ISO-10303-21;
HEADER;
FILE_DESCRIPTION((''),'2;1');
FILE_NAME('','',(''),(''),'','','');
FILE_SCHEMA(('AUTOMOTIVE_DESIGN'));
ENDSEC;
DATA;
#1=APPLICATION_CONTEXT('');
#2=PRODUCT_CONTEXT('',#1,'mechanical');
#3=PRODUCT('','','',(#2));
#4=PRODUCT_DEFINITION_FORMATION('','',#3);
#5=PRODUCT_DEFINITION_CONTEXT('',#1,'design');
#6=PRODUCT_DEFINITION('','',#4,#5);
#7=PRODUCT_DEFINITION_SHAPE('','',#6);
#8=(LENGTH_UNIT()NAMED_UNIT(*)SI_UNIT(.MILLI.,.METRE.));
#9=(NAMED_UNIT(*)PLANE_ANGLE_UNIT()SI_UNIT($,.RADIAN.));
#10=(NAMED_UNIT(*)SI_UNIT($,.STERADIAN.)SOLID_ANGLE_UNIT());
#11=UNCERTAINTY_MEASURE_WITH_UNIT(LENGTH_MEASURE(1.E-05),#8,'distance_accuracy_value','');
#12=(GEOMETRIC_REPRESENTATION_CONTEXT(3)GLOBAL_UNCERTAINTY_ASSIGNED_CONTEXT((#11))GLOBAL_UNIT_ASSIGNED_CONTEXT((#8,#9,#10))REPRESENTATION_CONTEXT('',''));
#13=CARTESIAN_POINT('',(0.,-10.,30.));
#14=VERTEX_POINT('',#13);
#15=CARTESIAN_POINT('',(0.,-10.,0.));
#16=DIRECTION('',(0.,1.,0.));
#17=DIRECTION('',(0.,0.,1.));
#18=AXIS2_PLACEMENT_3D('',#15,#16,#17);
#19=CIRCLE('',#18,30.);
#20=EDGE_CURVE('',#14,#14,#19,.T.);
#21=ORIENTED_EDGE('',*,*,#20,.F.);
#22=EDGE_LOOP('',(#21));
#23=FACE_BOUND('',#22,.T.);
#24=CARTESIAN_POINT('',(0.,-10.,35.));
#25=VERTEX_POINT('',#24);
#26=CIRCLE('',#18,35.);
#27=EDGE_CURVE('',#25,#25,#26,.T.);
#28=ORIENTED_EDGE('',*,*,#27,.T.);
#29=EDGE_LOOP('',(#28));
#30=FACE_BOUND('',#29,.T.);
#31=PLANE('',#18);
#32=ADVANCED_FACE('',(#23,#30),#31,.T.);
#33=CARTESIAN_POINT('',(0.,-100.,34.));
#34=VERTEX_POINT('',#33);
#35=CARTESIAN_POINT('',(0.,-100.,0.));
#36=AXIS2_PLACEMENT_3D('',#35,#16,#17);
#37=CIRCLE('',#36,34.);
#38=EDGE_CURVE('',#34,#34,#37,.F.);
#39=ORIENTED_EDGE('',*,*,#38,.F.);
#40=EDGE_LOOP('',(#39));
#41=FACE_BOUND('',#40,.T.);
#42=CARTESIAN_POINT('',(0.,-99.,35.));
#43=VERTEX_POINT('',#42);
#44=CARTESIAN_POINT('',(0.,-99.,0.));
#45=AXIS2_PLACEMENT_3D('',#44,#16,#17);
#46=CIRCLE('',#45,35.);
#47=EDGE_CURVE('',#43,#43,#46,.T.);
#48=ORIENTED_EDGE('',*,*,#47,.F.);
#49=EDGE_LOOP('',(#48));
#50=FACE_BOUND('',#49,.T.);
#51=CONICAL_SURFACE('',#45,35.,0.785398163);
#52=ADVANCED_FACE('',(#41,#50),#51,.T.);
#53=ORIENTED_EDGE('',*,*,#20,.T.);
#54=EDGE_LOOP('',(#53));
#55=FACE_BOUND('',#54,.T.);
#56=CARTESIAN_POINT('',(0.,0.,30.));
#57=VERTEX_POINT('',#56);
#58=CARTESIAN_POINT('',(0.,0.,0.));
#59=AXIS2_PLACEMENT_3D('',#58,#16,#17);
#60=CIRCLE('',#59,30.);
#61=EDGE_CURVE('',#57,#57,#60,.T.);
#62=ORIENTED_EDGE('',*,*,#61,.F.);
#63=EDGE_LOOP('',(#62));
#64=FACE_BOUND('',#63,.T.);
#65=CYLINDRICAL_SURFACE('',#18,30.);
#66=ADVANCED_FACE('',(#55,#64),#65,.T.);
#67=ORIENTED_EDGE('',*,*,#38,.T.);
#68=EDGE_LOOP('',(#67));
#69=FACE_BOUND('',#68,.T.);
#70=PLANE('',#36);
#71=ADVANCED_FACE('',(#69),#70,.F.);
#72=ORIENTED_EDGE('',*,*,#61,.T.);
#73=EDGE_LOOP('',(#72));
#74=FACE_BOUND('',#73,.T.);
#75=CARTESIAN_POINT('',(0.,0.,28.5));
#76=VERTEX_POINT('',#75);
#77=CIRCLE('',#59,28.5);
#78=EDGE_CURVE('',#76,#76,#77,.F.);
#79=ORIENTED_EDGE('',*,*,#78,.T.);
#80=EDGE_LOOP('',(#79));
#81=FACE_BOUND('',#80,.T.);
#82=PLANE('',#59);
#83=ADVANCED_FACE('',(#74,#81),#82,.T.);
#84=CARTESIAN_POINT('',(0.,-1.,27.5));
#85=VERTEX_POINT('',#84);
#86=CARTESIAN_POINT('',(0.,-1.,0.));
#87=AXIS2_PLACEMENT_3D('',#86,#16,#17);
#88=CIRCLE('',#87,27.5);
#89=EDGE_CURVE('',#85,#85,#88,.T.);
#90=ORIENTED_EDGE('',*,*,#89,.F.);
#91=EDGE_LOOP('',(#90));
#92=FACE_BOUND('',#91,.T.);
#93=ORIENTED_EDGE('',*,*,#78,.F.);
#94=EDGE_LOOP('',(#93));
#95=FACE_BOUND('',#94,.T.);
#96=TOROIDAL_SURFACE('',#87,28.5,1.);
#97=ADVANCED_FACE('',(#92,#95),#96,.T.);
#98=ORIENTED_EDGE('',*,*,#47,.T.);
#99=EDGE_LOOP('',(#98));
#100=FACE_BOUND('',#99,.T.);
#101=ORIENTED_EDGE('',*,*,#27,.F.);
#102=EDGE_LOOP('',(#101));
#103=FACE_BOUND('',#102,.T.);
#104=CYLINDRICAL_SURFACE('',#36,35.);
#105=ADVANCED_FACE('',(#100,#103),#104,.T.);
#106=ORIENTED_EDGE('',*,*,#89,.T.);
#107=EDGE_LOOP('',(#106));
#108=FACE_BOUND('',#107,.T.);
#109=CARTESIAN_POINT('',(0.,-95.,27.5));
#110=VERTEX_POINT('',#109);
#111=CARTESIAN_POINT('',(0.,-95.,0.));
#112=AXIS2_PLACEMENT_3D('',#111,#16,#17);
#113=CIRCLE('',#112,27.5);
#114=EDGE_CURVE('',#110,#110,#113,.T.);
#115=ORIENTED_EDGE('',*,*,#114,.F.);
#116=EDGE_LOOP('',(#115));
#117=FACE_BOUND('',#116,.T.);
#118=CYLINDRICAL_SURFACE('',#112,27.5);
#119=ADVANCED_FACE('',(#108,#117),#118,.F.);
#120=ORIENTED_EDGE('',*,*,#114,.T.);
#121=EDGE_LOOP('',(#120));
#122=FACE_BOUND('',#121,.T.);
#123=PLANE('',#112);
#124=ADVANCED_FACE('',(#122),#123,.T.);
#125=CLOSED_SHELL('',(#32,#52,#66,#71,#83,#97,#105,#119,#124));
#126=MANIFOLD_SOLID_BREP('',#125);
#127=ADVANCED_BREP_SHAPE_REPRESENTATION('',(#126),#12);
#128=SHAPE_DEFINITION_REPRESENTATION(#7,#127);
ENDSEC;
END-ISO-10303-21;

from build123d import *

# Parameters (mm, degrees)
SKETCH1_R           = 35
BOSS_EXTRUDE1_DEPTH = 100
SKETCH1_3_R         = 35
SKETCH1_3_R_2       = 30
CUT_EXTRUDE1_DEPTH  = 10
SKETCH1_4_R         = 27.5
CUT_EXTRUDE2_DEPTH  = 95
CHAMFER1_SIZE       = 1
FILLET1_R           = 1


with BuildPart() as part:
    # Sketch1 → Boss-Extrude1 (new body)
    with BuildSketch(Plane(origin=(0, 0, 0), x_dir=(1, 0, 0), z_dir=(0, 1, 0))):
        Circle(SKETCH1_R)
    extrude(amount=-BOSS_EXTRUDE1_DEPTH)

    # Sketch1<3> → Cut-Extrude1 (cut)
    with BuildSketch(Plane(origin=(0, 0, 0), x_dir=(1, 0, 0), z_dir=(0, 1, 0))):
        Circle(SKETCH1_3_R)
        Circle(SKETCH1_3_R_2, mode=Mode.SUBTRACT)
    extrude(amount=-CUT_EXTRUDE1_DEPTH, mode=Mode.SUBTRACT)

    # Sketch1<4> → Cut-Extrude2 (cut)
    with BuildSketch(Plane(origin=(0, 0, 0), x_dir=(1, 0, 0), z_dir=(0, 1, 0))):
        Circle(SKETCH1_4_R)
    extrude(amount=-CUT_EXTRUDE2_DEPTH, mode=Mode.SUBTRACT)

    # Chamfer1
    chamfer1_edges = [part.edges().sort_by_distance(p)[0] for p in [
        (-35, -100, 0),
    ]]
    chamfer(chamfer1_edges, length=CHAMFER1_SIZE)

    # Fillet1
    fillet1_edges = [part.edges().sort_by_distance(p)[0] for p in [
        (-27.5, 0, 0),
    ]]
    fillet(fillet1_edges, radius=FILLET1_R)


solid = part.part
